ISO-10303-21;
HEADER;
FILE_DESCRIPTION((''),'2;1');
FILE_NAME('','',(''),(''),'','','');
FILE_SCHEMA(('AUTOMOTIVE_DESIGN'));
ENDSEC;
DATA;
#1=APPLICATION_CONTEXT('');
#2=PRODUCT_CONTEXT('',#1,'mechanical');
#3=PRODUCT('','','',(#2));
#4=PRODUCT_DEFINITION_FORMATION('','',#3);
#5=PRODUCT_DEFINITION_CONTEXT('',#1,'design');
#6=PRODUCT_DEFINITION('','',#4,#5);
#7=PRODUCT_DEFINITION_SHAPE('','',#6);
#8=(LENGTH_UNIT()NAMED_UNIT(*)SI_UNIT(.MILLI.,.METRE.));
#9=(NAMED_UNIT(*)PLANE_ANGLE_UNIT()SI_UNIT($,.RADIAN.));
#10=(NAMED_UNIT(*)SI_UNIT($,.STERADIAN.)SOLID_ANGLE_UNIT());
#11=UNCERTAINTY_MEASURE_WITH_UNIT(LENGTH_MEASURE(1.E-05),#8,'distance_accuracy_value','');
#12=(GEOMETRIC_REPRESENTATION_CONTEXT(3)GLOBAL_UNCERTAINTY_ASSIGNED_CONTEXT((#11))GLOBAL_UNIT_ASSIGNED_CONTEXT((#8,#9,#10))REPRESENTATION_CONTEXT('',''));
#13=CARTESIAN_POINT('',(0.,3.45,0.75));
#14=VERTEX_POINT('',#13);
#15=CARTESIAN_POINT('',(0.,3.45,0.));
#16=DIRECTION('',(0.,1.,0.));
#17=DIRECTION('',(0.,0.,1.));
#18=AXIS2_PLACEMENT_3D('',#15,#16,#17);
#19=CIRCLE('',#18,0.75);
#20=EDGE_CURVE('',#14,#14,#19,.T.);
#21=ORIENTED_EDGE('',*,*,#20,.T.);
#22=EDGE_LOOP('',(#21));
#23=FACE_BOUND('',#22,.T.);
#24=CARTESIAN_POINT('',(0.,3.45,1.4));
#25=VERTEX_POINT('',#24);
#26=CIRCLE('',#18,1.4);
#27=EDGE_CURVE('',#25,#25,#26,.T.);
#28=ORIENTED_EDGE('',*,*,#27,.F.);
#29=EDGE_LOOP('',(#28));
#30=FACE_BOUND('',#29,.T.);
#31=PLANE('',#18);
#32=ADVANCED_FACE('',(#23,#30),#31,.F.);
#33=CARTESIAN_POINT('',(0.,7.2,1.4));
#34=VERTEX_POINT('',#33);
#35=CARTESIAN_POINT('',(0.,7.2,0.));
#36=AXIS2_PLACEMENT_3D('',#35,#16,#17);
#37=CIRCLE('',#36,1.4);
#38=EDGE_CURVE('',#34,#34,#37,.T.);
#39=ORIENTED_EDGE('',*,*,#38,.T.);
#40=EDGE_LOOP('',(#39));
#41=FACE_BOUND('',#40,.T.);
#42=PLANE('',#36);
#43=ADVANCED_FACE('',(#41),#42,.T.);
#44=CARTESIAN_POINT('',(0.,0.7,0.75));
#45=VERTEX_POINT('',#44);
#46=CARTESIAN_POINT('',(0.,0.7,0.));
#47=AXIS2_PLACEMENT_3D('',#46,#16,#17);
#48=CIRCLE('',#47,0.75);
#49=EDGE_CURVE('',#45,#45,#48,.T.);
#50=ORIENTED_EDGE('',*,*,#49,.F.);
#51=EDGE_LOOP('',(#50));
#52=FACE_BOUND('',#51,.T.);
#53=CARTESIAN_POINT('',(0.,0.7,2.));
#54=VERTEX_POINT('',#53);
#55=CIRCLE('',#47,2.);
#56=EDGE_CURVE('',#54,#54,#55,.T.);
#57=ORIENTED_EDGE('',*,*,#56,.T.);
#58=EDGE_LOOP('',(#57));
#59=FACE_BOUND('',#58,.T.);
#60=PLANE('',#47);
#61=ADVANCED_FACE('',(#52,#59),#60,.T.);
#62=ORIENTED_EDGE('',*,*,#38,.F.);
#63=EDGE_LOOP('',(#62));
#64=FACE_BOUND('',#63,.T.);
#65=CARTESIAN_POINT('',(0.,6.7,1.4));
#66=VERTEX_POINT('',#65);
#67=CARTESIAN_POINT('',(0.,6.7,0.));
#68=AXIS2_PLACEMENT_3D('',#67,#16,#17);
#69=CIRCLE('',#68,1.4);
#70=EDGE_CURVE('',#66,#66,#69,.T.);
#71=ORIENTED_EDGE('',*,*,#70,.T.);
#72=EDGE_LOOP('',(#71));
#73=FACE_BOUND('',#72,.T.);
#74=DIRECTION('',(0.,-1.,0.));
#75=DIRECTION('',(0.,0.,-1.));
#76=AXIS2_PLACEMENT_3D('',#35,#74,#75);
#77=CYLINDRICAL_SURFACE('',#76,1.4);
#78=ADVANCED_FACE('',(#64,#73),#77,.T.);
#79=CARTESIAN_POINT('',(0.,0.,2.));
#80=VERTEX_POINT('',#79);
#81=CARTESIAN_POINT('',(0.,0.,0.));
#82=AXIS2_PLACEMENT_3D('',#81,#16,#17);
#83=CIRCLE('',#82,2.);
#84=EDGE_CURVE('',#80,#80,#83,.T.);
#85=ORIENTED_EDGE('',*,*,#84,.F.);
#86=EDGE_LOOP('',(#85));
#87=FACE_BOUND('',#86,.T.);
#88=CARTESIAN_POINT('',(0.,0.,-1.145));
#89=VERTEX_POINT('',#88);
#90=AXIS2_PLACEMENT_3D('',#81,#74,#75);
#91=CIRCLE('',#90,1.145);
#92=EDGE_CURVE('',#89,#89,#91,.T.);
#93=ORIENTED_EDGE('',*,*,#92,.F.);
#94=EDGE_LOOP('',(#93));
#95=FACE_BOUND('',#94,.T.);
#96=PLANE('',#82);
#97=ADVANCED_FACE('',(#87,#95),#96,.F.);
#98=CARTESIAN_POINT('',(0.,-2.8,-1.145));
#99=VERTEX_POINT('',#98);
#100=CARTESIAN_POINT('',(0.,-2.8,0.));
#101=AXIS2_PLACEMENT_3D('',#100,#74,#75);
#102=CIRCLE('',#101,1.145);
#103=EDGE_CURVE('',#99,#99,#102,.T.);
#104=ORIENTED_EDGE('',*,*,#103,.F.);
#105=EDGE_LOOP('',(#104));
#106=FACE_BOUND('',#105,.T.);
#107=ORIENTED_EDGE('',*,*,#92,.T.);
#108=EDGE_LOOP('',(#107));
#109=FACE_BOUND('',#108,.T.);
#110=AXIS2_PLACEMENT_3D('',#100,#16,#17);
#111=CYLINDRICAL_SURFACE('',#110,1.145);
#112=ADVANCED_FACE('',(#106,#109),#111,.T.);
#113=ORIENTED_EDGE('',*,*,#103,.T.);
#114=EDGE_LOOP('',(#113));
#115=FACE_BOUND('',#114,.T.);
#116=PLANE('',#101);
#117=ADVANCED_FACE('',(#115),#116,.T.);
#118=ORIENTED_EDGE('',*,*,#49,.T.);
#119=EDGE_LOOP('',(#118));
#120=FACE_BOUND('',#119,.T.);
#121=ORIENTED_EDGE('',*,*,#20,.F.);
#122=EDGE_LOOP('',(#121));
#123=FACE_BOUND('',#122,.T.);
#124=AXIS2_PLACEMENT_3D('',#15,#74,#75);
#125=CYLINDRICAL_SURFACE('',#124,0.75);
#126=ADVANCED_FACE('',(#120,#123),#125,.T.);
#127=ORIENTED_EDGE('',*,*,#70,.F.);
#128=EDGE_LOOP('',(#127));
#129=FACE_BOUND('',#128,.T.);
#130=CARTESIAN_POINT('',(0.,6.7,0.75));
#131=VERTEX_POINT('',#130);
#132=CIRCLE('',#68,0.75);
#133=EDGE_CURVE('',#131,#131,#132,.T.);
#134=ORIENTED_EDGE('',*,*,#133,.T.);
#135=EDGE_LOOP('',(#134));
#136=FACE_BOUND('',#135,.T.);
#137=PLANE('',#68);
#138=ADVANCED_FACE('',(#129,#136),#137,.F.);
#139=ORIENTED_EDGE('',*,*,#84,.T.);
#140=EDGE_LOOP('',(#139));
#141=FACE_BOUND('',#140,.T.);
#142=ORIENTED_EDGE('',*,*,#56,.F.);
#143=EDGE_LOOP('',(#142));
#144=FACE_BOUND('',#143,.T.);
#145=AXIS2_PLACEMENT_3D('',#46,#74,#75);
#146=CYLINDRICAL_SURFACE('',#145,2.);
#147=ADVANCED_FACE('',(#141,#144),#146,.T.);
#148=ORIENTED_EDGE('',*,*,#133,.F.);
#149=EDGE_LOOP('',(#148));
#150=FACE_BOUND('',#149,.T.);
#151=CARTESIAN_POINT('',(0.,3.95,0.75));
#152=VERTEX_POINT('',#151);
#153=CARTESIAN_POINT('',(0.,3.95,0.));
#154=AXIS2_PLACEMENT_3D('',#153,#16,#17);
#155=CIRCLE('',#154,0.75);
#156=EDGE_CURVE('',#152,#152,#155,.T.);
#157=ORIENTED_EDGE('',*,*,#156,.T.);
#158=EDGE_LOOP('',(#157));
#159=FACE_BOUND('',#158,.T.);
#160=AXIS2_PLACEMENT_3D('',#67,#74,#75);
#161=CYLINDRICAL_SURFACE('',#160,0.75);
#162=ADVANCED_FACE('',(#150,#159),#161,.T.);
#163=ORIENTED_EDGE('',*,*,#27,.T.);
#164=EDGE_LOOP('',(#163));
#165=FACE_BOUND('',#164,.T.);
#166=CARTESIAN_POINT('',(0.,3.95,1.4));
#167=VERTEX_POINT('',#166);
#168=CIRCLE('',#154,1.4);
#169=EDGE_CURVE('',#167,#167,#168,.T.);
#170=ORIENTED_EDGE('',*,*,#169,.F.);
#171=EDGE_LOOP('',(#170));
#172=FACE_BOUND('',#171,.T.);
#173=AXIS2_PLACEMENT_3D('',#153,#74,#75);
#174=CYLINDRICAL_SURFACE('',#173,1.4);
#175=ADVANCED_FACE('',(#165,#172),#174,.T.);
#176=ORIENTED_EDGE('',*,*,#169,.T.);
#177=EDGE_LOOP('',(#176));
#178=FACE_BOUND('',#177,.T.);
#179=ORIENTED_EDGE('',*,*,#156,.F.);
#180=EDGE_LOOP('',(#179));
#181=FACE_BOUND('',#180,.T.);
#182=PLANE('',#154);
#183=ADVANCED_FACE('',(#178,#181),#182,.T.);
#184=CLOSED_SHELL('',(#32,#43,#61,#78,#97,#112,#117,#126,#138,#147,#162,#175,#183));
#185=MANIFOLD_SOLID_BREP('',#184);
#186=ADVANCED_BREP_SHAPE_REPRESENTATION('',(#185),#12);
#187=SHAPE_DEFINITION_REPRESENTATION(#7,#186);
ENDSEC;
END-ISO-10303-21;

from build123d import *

# Parameters (mm, degrees)
SKETCH1_R           = 2
BOSS_EXTRUDE1_DEPTH = 0.7
SKETCH2_R           = 0.75
BOSS_EXTRUDE2_DEPTH = 2.75
SKETCH3_R           = 1.4
BOSS_EXTRUDE3_DEPTH = 0.5
SKETCH4_R           = 0.75
BOSS_EXTRUDE4_DEPTH = 2.75
SKETCH5_R           = 1.4
BOSS_EXTRUDE5_DEPTH = 0.5
SKETCH6_R           = 1.145
BOSS_EXTRUDE6_DEPTH = 2.8


with BuildPart() as part:
    # Sketch1 → Boss-Extrude1 (new body)
    with BuildSketch(Plane(origin=(0, 0, 0), x_dir=(1, 0, 0), z_dir=(0, 1, 0))):
        Circle(SKETCH1_R)
    extrude(amount=BOSS_EXTRUDE1_DEPTH)

    # Sketch2 → Boss-Extrude2 (add)
    with BuildSketch(Plane(origin=(0, 0.7, 0), x_dir=(1, 0, 0), z_dir=(0, 1, 0))):
        Circle(SKETCH2_R)
    extrude(amount=BOSS_EXTRUDE2_DEPTH)

    # Sketch3 → Boss-Extrude3 (add)
    with BuildSketch(Plane(origin=(0, 3.45, 0), x_dir=(1, 0, 0), z_dir=(0, 1, 0))):
        Circle(SKETCH3_R)
    extrude(amount=BOSS_EXTRUDE3_DEPTH)

    # Sketch4 → Boss-Extrude4 (add)
    with BuildSketch(Plane(origin=(0, 3.95, 0), x_dir=(1, 0, 0), z_dir=(0, 1, 0))):
        Circle(SKETCH4_R)
    extrude(amount=BOSS_EXTRUDE4_DEPTH)

    # Sketch5 → Boss-Extrude5 (add)
    with BuildSketch(Plane(origin=(0, 6.7, 0), x_dir=(1, 0, 0), z_dir=(0, 1, 0))):
        Circle(SKETCH5_R)
    extrude(amount=BOSS_EXTRUDE5_DEPTH)

    # Sketch6 → Boss-Extrude6 (add)
    with BuildSketch(Plane.XZ):
        Circle(SKETCH6_R)
    extrude(amount=BOSS_EXTRUDE6_DEPTH)


solid = part.part
